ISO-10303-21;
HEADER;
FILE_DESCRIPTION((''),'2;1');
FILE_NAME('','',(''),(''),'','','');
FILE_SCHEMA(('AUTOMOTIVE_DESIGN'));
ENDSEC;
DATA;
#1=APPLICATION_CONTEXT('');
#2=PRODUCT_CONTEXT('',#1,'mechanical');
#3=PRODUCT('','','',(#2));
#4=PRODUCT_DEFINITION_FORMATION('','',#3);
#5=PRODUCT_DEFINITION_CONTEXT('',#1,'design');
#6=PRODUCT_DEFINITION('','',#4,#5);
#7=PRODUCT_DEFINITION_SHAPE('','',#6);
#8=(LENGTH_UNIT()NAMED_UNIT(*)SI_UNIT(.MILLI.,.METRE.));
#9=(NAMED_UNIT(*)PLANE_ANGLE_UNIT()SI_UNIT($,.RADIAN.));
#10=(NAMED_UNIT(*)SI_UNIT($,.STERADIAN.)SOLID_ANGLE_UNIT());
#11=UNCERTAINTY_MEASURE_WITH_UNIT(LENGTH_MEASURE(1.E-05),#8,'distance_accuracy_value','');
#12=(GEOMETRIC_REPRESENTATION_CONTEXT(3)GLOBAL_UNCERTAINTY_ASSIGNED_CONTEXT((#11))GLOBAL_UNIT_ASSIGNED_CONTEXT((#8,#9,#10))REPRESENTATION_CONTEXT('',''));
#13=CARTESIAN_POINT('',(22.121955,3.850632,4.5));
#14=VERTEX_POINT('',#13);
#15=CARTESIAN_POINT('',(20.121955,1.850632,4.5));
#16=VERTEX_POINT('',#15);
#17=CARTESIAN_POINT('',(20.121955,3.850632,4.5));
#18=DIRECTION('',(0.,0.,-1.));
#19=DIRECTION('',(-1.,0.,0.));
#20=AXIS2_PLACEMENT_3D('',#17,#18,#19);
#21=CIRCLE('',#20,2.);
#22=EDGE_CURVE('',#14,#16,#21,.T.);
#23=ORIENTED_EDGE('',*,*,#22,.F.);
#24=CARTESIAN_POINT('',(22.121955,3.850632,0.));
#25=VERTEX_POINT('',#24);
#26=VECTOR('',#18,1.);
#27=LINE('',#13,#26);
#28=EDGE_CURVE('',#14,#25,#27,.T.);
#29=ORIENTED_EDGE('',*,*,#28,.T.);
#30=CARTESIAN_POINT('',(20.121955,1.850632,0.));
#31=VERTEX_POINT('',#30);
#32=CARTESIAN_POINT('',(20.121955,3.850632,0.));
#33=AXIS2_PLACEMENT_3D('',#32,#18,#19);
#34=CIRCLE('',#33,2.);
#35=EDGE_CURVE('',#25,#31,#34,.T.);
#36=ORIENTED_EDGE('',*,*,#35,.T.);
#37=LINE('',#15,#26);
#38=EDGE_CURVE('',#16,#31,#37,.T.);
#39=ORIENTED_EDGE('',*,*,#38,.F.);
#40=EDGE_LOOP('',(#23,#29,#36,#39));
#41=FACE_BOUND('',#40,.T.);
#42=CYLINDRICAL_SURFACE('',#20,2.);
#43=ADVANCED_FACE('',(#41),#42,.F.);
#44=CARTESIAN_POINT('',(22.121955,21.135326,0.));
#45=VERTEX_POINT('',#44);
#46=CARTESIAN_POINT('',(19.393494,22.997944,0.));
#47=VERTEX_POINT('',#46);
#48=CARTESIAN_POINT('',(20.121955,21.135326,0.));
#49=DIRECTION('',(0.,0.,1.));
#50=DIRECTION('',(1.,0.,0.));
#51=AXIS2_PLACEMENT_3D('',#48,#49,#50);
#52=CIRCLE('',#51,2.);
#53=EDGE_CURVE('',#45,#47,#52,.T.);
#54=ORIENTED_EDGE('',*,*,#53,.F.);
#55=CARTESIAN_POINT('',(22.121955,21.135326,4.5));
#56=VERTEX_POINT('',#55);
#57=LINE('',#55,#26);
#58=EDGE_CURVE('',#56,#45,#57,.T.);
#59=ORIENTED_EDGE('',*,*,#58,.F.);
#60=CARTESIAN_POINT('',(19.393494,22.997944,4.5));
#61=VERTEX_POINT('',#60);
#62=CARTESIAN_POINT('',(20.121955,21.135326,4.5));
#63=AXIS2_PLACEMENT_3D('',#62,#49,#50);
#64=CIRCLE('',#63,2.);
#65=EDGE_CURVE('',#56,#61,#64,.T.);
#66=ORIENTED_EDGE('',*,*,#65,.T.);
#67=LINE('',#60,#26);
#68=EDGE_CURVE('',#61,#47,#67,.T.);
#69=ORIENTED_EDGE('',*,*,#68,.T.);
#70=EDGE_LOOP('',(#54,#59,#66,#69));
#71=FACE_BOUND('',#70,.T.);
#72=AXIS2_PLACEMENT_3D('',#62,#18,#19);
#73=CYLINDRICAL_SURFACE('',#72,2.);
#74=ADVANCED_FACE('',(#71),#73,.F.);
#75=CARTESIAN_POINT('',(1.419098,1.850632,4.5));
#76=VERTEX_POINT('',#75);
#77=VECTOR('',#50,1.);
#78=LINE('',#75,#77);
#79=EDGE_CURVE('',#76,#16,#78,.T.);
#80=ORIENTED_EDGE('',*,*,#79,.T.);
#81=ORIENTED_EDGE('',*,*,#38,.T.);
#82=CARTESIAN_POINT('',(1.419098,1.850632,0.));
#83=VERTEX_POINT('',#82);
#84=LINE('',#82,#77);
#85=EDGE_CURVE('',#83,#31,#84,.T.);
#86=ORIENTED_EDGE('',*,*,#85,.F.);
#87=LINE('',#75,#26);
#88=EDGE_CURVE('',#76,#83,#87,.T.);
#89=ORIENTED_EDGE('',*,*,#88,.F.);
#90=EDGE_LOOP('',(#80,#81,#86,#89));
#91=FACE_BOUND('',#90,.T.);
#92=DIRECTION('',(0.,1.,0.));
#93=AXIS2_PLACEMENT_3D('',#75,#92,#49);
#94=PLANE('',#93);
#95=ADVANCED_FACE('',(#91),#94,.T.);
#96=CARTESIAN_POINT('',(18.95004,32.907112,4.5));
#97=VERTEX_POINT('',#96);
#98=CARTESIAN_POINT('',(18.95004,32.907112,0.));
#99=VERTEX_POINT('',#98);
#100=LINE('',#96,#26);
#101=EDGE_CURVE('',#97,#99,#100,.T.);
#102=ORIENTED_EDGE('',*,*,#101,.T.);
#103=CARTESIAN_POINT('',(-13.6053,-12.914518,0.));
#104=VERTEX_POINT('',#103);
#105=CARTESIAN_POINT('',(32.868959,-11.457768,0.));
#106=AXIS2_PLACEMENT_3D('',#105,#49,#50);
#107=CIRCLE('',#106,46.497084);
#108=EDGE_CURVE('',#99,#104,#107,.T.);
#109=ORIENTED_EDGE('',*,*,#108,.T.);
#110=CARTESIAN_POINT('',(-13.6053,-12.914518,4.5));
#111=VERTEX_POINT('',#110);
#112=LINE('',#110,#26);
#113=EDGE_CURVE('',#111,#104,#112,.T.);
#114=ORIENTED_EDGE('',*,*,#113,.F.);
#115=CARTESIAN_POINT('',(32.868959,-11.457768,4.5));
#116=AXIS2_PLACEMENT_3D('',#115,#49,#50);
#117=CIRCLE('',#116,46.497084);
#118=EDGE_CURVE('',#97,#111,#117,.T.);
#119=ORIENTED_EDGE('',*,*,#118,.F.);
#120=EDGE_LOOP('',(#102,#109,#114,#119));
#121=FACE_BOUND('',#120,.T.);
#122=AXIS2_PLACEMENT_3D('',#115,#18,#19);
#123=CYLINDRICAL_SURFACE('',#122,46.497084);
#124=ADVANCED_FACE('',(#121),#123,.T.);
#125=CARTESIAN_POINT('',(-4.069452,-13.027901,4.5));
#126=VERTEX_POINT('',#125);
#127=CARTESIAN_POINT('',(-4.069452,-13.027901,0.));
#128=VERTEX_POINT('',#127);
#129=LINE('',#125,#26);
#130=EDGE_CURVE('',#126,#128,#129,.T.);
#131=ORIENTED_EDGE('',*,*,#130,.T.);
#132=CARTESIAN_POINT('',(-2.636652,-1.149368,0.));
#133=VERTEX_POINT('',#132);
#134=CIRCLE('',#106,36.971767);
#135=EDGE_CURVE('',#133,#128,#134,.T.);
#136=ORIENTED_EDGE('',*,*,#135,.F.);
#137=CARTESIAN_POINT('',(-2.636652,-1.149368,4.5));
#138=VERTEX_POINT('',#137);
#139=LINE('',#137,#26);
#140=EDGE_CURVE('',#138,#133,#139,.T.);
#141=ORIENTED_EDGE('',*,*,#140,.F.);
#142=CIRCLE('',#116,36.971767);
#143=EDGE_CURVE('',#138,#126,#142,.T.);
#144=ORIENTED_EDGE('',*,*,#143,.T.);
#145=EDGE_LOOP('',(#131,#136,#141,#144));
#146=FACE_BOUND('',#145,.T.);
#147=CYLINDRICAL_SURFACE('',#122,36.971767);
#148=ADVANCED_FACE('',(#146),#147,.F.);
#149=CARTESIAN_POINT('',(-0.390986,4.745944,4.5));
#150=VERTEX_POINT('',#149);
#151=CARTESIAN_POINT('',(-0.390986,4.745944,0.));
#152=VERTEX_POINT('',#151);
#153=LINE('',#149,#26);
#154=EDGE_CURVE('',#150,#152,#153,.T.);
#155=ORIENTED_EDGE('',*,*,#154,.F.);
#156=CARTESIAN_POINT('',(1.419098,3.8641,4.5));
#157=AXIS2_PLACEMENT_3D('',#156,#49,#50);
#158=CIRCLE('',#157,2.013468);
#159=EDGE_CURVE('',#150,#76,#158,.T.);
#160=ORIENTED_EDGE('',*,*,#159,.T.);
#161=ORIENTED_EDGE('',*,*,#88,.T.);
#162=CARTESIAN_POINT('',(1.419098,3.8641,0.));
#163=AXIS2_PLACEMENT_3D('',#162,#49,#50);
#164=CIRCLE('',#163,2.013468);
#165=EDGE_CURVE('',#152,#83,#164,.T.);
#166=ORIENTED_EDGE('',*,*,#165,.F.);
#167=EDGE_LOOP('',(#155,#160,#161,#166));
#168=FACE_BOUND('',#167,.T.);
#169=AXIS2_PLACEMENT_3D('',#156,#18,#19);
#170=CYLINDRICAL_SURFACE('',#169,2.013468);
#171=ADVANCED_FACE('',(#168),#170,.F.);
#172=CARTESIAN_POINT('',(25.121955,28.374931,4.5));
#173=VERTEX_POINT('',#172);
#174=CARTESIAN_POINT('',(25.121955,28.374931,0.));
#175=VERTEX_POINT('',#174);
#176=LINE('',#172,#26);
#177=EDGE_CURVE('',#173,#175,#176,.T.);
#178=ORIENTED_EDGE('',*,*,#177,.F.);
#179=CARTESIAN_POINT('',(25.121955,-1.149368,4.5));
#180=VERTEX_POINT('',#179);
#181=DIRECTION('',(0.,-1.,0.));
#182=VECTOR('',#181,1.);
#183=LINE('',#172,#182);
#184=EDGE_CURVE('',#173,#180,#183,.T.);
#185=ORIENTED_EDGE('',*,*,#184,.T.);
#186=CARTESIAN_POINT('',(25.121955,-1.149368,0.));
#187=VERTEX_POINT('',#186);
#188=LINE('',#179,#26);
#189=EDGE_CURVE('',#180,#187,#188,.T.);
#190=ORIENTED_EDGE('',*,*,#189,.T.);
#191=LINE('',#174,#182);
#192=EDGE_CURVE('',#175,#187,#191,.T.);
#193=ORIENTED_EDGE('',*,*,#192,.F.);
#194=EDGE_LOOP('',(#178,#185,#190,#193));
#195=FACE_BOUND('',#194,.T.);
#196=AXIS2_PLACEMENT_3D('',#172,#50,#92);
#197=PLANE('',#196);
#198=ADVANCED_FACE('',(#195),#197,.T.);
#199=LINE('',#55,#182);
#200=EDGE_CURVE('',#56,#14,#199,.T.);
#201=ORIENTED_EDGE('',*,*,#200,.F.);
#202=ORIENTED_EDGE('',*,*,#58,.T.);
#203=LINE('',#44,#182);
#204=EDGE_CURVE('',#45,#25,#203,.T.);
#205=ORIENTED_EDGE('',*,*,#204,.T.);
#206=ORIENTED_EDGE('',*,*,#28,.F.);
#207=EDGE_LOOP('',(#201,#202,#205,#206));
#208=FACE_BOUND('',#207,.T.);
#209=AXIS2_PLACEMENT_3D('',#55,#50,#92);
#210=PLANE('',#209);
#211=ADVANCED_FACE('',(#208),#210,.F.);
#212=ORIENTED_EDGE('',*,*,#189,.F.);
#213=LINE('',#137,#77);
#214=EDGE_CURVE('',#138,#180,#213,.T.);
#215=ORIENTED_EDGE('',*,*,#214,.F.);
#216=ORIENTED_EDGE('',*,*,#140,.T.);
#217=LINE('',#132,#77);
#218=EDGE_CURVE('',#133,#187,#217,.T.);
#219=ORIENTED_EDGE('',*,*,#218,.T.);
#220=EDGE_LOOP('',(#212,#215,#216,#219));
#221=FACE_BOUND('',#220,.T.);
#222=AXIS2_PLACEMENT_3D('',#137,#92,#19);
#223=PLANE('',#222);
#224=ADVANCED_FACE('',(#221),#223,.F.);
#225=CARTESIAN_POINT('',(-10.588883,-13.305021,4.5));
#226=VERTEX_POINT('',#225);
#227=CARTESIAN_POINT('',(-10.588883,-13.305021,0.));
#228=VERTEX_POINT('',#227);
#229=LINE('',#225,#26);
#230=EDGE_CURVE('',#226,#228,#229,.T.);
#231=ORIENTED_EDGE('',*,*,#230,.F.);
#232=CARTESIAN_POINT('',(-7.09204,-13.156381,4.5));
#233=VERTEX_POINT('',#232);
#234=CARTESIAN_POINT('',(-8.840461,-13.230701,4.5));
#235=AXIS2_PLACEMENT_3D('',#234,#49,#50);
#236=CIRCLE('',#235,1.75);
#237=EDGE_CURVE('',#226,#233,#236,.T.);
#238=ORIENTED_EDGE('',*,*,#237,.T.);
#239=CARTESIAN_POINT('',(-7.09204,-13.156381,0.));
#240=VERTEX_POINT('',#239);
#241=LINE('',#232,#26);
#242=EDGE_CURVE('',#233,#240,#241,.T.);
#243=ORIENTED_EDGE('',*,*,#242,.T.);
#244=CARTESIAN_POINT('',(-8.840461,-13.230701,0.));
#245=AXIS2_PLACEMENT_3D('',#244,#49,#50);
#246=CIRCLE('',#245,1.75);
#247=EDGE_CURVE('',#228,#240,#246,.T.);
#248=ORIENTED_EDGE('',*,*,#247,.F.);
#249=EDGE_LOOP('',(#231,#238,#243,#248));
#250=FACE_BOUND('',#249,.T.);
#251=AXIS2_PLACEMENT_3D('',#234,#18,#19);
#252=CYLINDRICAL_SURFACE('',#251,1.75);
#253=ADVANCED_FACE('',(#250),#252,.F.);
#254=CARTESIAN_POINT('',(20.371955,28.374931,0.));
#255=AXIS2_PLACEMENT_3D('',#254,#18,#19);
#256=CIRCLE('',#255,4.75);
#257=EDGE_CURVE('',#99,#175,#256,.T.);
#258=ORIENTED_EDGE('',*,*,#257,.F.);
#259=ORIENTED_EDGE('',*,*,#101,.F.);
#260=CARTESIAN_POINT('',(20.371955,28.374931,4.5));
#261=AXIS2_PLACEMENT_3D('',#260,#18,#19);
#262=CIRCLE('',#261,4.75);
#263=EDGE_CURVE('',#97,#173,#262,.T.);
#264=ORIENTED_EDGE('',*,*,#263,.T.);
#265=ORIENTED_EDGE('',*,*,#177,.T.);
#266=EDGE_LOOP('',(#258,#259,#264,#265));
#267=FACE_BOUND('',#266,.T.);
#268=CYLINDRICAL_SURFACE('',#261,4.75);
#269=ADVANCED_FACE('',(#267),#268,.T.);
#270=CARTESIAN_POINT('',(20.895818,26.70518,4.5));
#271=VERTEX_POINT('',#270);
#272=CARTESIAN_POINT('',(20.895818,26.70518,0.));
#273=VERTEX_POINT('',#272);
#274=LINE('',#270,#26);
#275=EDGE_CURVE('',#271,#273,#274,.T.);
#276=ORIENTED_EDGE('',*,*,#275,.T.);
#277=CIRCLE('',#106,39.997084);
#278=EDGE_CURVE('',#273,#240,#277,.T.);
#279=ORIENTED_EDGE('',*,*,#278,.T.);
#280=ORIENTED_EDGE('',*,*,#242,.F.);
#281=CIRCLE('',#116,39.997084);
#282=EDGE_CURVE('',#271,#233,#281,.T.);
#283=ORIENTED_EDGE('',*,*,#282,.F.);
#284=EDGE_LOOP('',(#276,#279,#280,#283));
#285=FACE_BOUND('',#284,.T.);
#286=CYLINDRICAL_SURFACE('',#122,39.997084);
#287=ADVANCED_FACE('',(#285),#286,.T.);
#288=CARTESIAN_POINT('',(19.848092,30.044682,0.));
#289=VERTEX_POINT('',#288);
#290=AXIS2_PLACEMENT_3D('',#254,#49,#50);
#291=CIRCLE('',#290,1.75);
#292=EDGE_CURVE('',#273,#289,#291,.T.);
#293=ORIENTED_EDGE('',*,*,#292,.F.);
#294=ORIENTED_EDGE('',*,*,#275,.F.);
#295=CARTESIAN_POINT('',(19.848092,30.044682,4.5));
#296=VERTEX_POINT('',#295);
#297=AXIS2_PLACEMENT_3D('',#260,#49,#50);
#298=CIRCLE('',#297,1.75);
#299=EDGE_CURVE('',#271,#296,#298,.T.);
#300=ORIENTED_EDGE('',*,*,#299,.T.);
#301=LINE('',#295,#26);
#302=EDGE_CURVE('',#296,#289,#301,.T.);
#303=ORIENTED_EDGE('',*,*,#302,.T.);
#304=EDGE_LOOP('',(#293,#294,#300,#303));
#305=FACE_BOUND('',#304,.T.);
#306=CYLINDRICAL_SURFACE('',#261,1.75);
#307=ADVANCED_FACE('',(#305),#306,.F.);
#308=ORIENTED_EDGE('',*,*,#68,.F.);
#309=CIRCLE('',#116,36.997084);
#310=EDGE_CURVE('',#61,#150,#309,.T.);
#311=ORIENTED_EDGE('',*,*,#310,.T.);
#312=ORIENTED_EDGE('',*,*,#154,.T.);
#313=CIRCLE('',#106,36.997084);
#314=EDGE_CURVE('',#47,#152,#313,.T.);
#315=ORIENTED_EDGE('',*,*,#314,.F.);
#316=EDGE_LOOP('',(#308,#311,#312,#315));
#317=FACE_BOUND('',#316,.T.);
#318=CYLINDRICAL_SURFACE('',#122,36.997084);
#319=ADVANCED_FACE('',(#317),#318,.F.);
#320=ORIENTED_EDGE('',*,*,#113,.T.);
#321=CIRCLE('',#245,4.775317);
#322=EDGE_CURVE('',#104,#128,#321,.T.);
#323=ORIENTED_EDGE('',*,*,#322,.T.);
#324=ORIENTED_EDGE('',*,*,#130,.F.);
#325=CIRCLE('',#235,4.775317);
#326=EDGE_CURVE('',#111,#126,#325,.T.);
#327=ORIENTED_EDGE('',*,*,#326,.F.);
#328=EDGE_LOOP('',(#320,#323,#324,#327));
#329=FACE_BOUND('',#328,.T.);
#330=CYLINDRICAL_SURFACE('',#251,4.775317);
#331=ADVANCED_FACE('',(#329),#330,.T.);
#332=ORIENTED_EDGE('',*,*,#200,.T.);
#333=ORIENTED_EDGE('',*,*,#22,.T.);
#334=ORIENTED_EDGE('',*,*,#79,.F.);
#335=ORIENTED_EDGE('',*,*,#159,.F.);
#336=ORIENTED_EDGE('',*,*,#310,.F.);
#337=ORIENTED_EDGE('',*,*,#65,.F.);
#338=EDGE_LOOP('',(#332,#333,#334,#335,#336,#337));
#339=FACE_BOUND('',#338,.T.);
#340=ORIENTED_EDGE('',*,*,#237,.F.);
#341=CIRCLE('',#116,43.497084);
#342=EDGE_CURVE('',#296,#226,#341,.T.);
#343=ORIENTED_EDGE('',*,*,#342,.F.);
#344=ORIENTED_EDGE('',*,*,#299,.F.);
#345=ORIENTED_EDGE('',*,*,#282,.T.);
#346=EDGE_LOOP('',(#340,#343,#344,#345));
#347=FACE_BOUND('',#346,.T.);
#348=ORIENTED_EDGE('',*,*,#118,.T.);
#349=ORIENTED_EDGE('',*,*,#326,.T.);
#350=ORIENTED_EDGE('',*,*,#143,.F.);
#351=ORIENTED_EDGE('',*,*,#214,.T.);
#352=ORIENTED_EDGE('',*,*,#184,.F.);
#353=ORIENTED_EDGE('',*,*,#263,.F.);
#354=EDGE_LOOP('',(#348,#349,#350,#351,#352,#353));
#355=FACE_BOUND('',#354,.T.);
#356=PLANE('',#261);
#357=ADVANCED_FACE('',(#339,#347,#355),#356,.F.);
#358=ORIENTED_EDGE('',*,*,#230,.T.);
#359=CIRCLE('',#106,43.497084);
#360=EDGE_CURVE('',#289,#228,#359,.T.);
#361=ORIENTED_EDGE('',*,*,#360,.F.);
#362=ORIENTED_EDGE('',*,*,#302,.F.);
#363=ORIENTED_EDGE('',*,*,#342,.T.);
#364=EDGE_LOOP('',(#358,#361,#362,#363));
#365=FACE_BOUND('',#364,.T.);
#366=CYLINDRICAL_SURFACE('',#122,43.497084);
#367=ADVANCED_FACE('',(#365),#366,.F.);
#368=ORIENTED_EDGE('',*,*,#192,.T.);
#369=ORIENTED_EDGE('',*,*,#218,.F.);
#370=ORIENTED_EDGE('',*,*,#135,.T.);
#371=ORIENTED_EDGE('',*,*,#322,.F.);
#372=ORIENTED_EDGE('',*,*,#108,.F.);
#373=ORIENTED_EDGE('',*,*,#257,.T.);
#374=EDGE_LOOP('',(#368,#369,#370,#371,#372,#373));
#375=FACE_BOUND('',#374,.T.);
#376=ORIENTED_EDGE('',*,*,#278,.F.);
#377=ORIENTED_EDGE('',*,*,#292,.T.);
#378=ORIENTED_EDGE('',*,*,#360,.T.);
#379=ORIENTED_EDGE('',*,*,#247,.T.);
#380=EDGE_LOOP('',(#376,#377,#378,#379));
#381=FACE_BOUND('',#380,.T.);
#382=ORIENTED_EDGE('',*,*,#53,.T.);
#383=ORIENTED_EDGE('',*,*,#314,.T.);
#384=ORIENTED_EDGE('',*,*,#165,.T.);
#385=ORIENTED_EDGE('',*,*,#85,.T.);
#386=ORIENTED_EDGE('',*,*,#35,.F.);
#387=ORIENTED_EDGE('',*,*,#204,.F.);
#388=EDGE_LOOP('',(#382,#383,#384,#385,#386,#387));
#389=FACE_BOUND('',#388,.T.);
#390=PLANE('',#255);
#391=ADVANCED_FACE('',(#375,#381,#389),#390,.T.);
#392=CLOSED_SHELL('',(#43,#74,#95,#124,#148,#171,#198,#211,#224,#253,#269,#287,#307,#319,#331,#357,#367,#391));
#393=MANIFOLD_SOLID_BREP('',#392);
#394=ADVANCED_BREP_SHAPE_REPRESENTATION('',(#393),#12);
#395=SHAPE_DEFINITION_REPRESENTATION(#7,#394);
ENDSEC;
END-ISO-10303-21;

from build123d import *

# Parameters (mm, degrees)
BOSS_EXTRUDE1_DEPTH = 4.5


with BuildPart() as part:
    # Sketch1 → Boss-Extrude1 (new body)
    with BuildSketch(Plane.XY):
        with BuildLine():
            Line((-2.6366524, -1.149368065), (25.121954618, -1.149368065))
            Line((25.121954618, -1.149368065), (25.121954618, 28.374931045))
            ThreePointArc((25.121954618, 28.374931045), (23.183396216, 32.203546479), (18.950040453, 32.907111548))
            ThreePointArc((18.950040453, 32.907111548), (-5.035386419, 15.47250193), (-13.605299783, -12.914517987))
            ThreePointArc((-13.605299783, -12.914517987), (-8.8972368, -18.005680822), (-4.0694524, -13.027900808))
            ThreePointArc((-4.0694524, -13.027900808), (-3.836748935, -7.030290497), (-2.6366524, -1.149368065))
        make_face()
        with BuildLine():
            Line((1.419098269, 1.850631935), (20.121954618, 1.850631935))
            ThreePointArc((20.121954618, 1.850631935), (21.53616818, 2.436418372), (22.121954618, 3.850631935))
            Line((22.121954618, 3.850631935), (22.121954618, 21.135325995))
            ThreePointArc((22.121954618, 21.135325995), (21.249580029, 22.78713135), (19.393493686, 22.997943688))
            ThreePointArc((19.393493686, 22.997943688), (7.78243837, 15.73507518), (-0.390986112, 4.745944333))
            ThreePointArc((-0.390986112, 4.745944333), (-0.288183148, 2.79674616), (1.419098269, 1.850631935))
        make_face(mode=Mode.SUBTRACT)
        with BuildLine():
            ThreePointArc((19.848091505, 30.044681757), (-2.729641043, 13.536951641), (-10.588882657, -13.30502075))
            ThreePointArc((-10.588882657, -13.30502075), (-8.766141749, -14.979122175), (-7.092040324, -13.156381267))
            ThreePointArc((-7.092040324, -13.156381267), (0.134806128, 11.525747423), (20.895817731, 26.705180334))
            ThreePointArc((20.895817731, 26.705180334), (22.041705329, 28.898794159), (19.848091505, 30.044681757))
        make_face(mode=Mode.SUBTRACT)
    extrude(amount=BOSS_EXTRUDE1_DEPTH)


solid = part.part
